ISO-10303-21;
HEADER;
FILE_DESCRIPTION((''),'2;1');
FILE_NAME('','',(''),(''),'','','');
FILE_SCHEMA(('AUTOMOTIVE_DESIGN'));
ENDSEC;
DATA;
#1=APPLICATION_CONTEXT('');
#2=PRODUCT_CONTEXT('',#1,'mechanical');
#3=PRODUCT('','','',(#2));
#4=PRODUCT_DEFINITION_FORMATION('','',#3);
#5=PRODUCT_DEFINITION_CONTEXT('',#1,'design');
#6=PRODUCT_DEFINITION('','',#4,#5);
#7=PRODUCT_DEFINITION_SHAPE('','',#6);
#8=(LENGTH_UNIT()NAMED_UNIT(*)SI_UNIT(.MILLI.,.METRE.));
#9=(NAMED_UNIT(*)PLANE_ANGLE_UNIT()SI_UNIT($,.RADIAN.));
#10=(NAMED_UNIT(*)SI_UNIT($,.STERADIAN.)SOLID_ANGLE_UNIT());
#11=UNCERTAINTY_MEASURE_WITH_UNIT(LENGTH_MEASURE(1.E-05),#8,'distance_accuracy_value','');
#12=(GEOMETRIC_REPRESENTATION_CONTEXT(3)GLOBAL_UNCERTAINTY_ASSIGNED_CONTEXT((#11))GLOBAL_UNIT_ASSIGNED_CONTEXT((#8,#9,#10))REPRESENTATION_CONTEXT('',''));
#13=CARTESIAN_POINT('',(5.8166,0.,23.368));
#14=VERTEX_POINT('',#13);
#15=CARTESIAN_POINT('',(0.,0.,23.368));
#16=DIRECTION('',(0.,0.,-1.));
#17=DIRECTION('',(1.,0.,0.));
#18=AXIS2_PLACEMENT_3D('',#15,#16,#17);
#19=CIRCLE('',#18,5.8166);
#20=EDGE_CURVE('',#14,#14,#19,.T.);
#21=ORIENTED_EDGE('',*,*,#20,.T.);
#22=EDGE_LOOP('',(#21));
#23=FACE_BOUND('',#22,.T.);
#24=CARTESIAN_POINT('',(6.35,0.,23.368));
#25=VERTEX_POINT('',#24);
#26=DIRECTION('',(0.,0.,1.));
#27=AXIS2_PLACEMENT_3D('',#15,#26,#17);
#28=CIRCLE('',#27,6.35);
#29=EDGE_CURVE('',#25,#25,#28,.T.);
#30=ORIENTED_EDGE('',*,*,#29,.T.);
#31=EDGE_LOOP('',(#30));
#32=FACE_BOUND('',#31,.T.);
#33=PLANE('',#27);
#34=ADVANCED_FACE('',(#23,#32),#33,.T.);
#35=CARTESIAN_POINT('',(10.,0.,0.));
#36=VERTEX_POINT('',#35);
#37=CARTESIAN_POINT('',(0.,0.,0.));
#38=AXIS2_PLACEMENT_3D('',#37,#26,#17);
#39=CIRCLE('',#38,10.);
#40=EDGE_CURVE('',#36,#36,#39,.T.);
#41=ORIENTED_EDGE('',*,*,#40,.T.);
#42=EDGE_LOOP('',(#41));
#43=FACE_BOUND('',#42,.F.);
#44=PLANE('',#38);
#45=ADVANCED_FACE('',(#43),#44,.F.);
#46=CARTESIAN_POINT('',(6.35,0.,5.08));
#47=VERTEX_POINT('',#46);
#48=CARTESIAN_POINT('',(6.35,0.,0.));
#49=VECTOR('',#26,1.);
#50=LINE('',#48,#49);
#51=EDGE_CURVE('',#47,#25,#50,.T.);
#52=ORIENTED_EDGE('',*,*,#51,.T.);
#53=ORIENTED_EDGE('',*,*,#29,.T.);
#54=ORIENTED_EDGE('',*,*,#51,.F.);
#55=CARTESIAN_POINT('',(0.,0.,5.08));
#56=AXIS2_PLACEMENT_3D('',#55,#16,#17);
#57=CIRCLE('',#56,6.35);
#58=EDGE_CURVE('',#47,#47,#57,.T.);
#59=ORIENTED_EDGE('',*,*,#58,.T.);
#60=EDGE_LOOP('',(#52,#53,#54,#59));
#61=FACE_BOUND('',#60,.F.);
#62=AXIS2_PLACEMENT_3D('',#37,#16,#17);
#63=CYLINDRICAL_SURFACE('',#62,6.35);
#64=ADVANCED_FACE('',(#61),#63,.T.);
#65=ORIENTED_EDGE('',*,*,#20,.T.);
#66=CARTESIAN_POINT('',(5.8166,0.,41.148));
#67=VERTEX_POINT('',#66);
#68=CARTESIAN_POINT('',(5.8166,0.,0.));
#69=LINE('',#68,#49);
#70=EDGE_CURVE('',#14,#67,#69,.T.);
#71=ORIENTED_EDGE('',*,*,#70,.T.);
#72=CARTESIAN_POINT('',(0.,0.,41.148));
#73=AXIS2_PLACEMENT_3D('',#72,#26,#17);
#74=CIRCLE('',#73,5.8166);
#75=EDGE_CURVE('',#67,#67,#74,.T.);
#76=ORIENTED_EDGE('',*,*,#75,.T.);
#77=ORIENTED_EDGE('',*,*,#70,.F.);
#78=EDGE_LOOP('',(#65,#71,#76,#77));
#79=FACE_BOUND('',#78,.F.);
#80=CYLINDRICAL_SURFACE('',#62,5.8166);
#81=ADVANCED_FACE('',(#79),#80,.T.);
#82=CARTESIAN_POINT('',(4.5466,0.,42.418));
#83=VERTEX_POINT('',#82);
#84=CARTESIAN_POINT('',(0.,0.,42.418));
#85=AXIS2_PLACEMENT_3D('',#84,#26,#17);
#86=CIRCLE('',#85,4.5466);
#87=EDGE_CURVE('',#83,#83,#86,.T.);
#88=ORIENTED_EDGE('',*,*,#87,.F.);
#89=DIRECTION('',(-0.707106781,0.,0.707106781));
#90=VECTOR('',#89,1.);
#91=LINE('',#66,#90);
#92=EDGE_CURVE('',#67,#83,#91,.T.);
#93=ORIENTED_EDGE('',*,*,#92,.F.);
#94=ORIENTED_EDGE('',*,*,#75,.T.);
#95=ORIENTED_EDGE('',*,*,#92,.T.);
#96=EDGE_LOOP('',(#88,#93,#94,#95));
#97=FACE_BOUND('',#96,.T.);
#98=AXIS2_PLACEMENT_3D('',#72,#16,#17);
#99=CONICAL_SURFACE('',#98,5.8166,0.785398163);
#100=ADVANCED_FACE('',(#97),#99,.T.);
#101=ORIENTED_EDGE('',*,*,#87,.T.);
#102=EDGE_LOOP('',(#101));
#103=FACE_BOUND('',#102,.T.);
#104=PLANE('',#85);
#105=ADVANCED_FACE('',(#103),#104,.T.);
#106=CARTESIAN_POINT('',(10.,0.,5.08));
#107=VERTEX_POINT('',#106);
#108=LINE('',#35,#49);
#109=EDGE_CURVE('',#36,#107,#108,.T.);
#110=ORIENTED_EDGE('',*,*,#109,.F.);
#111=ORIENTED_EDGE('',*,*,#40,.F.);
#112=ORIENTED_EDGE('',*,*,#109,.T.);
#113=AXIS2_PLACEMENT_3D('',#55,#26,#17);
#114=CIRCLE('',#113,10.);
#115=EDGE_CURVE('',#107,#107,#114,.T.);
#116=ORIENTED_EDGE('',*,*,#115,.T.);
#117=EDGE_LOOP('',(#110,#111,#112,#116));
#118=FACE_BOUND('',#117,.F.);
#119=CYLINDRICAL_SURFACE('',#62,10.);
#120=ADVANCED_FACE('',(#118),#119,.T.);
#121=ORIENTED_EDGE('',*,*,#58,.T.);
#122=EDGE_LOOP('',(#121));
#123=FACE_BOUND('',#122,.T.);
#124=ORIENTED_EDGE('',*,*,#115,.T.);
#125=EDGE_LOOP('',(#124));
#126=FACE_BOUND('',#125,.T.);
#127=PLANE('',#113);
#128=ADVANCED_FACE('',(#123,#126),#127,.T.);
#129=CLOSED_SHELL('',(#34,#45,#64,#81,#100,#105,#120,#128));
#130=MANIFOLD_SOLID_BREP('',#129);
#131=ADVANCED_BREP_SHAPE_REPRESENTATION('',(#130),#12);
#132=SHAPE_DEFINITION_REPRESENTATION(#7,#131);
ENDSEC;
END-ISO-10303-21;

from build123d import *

# Parameters (mm, degrees)
F0_R     = 10
F0_R_2   = 6.35
F0_R_3   = 5.8166
F1_DEPTH = 5.08
F2_DEPTH = 23.368
F3_DEPTH = 42.418
F4_SIZE  = 1.27


with BuildPart() as f1:
    # F0 (on Top) → F1 (new body)
    with BuildSketch(Plane.XY):
        Circle(F0_R)
        Circle(F0_R_2, mode=Mode.SUBTRACT)
        Circle(F0_R_2)
        Circle(F0_R_3, mode=Mode.SUBTRACT)
        Circle(F0_R_3)
    extrude(amount=F1_DEPTH)

    # F0 (on Top) → F2 (join)
    with BuildSketch(Plane.XY):
        Circle(F0_R_2)
        Circle(F0_R_3, mode=Mode.SUBTRACT)
        Circle(F0_R_3)
    extrude(amount=F2_DEPTH)

    # F0 (on Top) → F3 (join)
    with BuildSketch(Plane.XY):
        Circle(F0_R_3)
    extrude(amount=F3_DEPTH)

    # F4
    f4_edges = [f1.edges().sort_by_distance(p)[0] for p in [
        (-5.8166, 0, 42.418),
    ]]
    chamfer(f4_edges, length=F4_SIZE)


solid = f1.part
